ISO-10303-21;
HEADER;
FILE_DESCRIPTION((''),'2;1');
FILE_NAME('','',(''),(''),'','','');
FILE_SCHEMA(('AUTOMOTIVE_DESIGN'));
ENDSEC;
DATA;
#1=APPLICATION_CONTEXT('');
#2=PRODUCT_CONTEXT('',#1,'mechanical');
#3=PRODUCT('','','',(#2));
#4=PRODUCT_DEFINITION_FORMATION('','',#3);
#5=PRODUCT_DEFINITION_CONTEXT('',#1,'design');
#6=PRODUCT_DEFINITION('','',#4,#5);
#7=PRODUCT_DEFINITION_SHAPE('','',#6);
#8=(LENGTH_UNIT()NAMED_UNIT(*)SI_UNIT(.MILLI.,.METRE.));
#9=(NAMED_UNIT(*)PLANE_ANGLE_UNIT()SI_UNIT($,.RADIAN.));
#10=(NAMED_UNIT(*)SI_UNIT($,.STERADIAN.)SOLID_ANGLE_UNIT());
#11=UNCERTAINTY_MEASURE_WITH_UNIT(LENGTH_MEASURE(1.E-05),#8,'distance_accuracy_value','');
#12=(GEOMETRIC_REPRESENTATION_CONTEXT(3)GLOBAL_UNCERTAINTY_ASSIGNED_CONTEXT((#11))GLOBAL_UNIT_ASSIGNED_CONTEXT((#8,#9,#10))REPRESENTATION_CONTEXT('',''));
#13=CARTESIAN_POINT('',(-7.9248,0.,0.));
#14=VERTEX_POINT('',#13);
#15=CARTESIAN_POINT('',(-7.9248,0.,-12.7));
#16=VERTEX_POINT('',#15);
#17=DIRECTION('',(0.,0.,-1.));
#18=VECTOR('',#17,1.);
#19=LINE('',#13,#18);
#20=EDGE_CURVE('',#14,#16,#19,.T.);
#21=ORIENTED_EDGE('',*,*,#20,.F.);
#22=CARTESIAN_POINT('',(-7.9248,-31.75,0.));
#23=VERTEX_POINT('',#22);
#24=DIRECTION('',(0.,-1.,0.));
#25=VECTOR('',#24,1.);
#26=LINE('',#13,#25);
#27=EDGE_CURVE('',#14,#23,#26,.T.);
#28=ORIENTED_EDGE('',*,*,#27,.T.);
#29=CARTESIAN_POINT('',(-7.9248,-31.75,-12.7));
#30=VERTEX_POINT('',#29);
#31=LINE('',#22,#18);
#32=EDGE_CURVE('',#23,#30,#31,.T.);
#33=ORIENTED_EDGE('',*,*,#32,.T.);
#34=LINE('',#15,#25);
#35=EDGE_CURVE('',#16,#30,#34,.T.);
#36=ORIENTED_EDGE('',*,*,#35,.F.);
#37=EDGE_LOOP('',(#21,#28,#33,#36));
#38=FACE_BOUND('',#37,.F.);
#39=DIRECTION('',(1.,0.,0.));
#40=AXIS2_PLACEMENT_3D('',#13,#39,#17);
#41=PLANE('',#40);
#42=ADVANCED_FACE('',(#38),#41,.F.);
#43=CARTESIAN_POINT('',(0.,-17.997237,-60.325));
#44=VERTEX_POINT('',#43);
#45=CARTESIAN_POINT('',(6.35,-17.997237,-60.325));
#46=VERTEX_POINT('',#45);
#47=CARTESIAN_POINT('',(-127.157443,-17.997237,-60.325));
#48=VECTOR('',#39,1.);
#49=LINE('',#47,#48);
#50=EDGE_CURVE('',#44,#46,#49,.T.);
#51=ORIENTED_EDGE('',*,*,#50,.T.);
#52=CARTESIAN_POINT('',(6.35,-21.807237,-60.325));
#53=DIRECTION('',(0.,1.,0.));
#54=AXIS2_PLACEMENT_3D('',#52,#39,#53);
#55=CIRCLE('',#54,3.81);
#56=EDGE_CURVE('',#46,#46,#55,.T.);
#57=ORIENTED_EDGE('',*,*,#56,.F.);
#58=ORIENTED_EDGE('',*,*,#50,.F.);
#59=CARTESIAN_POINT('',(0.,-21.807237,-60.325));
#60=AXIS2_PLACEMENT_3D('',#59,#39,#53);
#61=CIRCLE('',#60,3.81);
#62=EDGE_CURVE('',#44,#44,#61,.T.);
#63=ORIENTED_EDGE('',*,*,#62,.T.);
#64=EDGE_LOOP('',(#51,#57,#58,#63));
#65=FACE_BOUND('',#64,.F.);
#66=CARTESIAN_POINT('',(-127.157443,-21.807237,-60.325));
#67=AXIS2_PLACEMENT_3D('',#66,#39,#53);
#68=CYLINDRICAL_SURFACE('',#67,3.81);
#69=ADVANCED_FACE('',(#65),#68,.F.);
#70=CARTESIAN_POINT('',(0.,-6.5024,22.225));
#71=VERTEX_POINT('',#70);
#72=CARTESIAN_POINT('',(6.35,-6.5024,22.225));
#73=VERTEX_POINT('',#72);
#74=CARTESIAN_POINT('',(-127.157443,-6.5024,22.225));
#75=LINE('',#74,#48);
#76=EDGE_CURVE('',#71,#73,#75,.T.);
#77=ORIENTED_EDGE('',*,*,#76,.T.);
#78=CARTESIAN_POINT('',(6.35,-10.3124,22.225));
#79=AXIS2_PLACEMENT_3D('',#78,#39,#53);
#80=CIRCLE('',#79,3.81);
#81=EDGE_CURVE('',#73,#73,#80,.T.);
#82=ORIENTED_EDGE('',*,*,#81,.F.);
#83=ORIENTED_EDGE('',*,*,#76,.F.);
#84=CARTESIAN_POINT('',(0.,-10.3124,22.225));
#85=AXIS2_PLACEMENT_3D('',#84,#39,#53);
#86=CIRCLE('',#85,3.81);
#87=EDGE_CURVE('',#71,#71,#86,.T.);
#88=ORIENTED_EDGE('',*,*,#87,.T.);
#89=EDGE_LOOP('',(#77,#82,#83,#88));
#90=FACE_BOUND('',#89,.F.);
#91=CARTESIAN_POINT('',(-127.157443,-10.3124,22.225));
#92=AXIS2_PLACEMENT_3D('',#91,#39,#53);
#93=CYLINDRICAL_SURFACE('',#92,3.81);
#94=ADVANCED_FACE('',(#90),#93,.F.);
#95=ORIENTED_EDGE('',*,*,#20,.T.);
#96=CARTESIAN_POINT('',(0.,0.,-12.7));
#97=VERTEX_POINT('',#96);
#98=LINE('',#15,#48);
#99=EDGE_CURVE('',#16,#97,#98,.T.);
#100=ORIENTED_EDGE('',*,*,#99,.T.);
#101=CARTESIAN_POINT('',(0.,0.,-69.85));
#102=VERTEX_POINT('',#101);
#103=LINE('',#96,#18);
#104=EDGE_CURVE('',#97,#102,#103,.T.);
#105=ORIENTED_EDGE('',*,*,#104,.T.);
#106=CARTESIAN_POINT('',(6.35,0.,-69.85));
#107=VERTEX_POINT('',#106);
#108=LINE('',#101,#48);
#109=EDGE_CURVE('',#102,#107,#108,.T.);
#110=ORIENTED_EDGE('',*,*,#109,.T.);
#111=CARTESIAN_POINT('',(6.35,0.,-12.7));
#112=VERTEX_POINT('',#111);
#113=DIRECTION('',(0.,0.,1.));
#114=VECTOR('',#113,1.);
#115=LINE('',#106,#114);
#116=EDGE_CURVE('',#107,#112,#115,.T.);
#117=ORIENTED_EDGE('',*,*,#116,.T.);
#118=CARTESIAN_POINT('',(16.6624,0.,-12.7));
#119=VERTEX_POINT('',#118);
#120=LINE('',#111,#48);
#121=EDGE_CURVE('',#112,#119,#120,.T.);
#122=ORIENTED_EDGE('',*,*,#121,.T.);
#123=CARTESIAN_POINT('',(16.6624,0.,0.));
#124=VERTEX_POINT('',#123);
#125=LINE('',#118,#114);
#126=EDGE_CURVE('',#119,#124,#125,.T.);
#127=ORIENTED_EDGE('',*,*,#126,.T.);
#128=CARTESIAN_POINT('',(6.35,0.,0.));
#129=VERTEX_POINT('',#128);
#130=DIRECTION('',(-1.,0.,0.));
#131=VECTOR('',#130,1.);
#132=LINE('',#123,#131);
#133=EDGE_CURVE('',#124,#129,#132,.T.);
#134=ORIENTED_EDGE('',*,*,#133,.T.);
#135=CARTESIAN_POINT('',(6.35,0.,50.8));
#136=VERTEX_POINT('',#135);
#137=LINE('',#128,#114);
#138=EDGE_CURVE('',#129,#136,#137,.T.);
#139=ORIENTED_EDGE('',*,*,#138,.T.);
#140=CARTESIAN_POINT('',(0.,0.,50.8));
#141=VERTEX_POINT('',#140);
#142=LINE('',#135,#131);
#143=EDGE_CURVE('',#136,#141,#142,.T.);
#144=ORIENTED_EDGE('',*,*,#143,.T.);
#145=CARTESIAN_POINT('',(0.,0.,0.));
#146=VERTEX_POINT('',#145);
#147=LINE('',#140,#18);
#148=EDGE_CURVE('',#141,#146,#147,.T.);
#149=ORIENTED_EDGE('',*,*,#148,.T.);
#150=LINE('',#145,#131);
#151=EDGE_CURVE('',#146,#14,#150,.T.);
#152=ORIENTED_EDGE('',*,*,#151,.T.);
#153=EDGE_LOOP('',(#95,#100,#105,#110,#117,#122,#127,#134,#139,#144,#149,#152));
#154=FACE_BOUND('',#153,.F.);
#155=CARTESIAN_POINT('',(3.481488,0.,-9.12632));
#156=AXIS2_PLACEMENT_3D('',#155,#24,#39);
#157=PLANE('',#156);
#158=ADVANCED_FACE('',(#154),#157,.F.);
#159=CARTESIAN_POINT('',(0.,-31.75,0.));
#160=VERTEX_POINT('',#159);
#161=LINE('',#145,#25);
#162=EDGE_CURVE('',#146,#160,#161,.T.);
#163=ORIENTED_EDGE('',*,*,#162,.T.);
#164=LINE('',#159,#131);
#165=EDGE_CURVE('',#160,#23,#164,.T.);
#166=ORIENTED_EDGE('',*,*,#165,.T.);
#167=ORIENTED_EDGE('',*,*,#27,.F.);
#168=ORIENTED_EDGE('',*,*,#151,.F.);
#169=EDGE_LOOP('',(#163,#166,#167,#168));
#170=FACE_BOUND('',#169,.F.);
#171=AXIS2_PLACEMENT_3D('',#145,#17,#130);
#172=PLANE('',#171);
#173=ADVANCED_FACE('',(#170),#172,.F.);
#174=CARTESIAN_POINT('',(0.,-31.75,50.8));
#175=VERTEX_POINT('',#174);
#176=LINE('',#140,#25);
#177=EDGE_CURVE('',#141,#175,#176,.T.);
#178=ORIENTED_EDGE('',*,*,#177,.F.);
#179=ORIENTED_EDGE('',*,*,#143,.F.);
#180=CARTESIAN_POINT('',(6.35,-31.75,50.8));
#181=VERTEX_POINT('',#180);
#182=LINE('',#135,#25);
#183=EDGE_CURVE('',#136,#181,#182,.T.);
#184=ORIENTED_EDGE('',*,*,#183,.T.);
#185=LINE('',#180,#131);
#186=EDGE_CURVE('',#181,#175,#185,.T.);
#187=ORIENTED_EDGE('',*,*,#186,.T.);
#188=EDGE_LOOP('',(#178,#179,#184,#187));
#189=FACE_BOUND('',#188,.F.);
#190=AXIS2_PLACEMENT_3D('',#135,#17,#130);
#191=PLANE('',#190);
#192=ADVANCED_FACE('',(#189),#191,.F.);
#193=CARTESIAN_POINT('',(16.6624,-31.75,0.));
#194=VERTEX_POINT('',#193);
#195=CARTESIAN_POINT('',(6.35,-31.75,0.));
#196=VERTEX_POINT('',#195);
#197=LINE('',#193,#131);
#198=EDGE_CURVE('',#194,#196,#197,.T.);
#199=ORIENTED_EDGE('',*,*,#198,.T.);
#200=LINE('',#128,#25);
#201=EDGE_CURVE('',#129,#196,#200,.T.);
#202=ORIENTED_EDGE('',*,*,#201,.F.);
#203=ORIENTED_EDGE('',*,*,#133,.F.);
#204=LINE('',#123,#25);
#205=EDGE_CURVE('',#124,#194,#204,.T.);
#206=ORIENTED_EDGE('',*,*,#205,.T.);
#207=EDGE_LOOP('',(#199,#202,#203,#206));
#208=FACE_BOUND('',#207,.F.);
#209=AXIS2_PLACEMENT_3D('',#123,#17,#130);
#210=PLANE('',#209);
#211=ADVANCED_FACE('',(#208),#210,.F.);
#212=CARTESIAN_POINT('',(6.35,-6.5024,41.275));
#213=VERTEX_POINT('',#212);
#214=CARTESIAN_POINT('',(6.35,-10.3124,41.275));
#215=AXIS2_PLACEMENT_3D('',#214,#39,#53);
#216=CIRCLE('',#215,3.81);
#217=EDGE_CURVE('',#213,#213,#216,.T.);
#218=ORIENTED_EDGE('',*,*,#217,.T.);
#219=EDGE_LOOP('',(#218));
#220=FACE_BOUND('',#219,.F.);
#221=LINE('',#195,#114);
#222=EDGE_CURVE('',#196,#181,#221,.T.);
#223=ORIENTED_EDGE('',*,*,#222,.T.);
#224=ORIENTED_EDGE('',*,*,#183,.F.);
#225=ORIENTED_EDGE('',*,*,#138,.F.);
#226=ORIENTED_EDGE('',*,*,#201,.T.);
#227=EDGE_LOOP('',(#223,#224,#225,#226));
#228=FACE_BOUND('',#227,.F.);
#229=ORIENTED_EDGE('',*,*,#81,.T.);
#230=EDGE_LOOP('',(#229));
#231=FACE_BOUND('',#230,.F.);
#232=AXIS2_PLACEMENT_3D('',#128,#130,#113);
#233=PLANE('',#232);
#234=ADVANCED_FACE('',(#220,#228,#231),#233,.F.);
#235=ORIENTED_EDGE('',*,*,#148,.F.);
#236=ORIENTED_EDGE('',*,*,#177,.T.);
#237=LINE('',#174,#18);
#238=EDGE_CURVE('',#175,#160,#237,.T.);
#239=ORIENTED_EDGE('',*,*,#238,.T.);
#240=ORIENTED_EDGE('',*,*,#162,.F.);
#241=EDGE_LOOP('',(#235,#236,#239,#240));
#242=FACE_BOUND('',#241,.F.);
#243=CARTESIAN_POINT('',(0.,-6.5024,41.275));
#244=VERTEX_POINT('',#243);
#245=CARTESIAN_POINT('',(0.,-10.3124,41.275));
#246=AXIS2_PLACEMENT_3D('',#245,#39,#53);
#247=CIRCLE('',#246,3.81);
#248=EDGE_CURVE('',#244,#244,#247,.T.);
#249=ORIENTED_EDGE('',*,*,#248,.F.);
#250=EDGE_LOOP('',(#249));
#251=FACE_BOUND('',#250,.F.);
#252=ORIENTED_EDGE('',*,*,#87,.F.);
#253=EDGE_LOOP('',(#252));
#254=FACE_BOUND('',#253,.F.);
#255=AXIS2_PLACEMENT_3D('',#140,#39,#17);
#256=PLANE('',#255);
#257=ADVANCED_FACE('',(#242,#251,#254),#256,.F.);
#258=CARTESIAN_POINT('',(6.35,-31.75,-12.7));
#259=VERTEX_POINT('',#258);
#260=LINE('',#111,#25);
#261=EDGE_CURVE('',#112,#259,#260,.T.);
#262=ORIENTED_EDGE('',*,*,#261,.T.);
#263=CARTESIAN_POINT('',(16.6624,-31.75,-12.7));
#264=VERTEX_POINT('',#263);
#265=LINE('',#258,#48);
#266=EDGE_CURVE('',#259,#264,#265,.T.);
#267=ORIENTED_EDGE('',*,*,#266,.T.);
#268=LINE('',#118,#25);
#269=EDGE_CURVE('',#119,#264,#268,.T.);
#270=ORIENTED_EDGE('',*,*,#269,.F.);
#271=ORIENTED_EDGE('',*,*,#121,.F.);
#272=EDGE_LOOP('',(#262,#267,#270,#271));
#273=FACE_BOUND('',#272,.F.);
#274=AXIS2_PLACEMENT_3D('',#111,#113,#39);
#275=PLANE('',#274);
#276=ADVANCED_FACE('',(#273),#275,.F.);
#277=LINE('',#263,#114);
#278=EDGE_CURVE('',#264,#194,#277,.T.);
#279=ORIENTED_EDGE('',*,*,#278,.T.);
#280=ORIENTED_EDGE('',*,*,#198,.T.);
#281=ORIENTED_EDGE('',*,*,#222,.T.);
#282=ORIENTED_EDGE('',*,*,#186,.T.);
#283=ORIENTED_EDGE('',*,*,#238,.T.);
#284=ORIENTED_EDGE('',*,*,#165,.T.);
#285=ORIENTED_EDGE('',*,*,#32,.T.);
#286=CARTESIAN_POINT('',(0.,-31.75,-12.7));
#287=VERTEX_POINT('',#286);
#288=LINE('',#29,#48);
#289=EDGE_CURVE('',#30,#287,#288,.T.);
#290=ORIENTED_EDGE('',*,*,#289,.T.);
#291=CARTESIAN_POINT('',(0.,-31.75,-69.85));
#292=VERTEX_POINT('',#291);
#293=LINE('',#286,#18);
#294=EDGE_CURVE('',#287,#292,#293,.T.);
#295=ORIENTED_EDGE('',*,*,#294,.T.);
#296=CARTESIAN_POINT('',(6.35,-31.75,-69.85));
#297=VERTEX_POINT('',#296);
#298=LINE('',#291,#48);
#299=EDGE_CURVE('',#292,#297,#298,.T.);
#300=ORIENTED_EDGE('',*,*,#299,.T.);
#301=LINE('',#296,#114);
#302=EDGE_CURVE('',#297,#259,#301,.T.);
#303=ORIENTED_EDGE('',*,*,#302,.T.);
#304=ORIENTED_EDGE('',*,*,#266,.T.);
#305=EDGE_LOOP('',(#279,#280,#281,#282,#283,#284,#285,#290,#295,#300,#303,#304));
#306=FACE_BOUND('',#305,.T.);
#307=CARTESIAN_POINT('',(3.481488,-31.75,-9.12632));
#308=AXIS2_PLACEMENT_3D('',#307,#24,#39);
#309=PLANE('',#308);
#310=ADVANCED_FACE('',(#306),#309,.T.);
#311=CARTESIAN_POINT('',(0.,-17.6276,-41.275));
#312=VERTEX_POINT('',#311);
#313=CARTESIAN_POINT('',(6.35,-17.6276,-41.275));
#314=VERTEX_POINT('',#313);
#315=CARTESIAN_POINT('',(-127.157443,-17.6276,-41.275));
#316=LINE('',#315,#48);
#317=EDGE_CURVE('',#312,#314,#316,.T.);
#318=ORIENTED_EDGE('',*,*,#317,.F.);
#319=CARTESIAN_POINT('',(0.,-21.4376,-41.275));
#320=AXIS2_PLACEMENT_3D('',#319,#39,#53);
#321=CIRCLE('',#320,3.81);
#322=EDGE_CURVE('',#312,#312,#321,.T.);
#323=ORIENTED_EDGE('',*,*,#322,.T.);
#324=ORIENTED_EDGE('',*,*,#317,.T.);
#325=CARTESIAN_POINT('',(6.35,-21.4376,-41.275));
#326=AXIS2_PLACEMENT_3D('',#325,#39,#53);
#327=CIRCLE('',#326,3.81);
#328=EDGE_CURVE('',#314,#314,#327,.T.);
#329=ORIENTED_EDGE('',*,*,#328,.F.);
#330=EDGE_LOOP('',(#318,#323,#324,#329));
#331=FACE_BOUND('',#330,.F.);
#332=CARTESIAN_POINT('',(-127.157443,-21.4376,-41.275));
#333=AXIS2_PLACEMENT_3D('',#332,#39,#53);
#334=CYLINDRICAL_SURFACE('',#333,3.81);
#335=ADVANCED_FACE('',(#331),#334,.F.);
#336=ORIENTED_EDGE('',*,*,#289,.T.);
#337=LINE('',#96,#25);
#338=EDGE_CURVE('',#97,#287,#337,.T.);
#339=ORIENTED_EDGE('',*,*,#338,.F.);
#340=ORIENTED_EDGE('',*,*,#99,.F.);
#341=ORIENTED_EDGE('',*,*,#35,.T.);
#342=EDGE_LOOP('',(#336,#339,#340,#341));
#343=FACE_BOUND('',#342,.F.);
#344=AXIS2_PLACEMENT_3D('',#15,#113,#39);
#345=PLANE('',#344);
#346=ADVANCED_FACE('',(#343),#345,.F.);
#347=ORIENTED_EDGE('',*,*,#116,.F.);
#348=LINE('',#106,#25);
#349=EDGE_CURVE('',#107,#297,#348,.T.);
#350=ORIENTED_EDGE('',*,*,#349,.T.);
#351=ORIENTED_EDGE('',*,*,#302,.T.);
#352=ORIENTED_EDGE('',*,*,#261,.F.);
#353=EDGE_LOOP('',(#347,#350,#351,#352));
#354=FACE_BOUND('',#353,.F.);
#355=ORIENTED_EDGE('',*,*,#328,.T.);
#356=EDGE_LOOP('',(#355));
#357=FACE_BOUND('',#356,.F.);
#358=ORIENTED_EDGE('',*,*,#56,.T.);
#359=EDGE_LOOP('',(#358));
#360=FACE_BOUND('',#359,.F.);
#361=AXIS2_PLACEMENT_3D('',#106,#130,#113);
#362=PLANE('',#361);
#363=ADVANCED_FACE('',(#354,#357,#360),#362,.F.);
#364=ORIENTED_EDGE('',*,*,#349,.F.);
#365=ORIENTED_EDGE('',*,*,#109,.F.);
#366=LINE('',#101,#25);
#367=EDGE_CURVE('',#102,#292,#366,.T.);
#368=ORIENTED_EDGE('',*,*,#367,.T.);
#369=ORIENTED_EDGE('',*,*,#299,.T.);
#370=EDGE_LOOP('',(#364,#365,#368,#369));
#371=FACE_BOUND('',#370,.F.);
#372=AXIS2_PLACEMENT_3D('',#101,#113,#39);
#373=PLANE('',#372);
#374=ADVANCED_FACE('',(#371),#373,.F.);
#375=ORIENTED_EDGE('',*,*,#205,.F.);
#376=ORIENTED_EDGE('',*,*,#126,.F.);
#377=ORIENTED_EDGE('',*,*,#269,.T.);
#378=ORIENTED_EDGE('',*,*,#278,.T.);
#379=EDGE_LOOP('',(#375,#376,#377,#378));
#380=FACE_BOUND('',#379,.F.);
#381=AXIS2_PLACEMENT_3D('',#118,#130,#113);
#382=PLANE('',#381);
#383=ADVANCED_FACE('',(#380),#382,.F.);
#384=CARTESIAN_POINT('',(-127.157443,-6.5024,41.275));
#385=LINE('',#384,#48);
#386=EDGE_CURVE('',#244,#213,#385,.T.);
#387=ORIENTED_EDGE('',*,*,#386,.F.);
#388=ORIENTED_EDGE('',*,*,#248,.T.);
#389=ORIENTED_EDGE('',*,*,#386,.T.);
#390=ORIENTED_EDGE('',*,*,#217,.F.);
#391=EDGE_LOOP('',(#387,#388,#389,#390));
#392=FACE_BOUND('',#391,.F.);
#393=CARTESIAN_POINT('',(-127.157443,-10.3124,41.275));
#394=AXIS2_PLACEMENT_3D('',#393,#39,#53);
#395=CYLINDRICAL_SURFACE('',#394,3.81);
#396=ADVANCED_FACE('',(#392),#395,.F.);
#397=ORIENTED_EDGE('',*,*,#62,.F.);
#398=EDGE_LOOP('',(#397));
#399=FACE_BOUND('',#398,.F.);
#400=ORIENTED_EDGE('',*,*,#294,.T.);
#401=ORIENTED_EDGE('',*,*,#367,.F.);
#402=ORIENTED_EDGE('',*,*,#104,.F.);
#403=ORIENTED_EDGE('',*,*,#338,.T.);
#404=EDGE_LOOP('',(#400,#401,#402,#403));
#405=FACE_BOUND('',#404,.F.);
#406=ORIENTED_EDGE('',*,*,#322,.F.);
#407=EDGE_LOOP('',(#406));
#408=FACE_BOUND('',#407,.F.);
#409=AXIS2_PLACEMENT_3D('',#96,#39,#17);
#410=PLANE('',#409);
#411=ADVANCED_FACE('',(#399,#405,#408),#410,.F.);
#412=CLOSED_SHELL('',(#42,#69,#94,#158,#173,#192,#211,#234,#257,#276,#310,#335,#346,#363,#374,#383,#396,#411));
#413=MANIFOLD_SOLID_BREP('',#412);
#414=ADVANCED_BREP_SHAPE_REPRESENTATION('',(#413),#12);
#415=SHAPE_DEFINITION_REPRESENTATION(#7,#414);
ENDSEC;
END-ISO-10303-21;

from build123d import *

# Parameters (mm, degrees)
F1_DEPTH = 31.75
F5_D     = 7.62


with BuildPart() as f1:
    # F0 (on Front) → F1 (new body)
    with BuildSketch(Plane.XZ):
        Polygon((0, 50.8), (0, 0), (-7.9248, 0), (-7.9248, -12.7), (0, -12.7), (0, -69.85), (6.35, -69.85), (6.35, -12.7), (16.6624, -12.7), (16.6624, 0), (6.35, 0), (6.35, 50.8), align=None)
    extrude(amount=F1_DEPTH)

    # F5 (through all)
    with Locations(Plane(origin=(0, 0, 0), x_dir=(0, -1, 0), z_dir=(-1, 0, 0))):
        with Locations((10.3124, 41.275), (10.3124, 22.225), (21.4376, -41.275), (21.807237, -60.325)):
            Hole(F5_D / 2)


solid = f1.part
